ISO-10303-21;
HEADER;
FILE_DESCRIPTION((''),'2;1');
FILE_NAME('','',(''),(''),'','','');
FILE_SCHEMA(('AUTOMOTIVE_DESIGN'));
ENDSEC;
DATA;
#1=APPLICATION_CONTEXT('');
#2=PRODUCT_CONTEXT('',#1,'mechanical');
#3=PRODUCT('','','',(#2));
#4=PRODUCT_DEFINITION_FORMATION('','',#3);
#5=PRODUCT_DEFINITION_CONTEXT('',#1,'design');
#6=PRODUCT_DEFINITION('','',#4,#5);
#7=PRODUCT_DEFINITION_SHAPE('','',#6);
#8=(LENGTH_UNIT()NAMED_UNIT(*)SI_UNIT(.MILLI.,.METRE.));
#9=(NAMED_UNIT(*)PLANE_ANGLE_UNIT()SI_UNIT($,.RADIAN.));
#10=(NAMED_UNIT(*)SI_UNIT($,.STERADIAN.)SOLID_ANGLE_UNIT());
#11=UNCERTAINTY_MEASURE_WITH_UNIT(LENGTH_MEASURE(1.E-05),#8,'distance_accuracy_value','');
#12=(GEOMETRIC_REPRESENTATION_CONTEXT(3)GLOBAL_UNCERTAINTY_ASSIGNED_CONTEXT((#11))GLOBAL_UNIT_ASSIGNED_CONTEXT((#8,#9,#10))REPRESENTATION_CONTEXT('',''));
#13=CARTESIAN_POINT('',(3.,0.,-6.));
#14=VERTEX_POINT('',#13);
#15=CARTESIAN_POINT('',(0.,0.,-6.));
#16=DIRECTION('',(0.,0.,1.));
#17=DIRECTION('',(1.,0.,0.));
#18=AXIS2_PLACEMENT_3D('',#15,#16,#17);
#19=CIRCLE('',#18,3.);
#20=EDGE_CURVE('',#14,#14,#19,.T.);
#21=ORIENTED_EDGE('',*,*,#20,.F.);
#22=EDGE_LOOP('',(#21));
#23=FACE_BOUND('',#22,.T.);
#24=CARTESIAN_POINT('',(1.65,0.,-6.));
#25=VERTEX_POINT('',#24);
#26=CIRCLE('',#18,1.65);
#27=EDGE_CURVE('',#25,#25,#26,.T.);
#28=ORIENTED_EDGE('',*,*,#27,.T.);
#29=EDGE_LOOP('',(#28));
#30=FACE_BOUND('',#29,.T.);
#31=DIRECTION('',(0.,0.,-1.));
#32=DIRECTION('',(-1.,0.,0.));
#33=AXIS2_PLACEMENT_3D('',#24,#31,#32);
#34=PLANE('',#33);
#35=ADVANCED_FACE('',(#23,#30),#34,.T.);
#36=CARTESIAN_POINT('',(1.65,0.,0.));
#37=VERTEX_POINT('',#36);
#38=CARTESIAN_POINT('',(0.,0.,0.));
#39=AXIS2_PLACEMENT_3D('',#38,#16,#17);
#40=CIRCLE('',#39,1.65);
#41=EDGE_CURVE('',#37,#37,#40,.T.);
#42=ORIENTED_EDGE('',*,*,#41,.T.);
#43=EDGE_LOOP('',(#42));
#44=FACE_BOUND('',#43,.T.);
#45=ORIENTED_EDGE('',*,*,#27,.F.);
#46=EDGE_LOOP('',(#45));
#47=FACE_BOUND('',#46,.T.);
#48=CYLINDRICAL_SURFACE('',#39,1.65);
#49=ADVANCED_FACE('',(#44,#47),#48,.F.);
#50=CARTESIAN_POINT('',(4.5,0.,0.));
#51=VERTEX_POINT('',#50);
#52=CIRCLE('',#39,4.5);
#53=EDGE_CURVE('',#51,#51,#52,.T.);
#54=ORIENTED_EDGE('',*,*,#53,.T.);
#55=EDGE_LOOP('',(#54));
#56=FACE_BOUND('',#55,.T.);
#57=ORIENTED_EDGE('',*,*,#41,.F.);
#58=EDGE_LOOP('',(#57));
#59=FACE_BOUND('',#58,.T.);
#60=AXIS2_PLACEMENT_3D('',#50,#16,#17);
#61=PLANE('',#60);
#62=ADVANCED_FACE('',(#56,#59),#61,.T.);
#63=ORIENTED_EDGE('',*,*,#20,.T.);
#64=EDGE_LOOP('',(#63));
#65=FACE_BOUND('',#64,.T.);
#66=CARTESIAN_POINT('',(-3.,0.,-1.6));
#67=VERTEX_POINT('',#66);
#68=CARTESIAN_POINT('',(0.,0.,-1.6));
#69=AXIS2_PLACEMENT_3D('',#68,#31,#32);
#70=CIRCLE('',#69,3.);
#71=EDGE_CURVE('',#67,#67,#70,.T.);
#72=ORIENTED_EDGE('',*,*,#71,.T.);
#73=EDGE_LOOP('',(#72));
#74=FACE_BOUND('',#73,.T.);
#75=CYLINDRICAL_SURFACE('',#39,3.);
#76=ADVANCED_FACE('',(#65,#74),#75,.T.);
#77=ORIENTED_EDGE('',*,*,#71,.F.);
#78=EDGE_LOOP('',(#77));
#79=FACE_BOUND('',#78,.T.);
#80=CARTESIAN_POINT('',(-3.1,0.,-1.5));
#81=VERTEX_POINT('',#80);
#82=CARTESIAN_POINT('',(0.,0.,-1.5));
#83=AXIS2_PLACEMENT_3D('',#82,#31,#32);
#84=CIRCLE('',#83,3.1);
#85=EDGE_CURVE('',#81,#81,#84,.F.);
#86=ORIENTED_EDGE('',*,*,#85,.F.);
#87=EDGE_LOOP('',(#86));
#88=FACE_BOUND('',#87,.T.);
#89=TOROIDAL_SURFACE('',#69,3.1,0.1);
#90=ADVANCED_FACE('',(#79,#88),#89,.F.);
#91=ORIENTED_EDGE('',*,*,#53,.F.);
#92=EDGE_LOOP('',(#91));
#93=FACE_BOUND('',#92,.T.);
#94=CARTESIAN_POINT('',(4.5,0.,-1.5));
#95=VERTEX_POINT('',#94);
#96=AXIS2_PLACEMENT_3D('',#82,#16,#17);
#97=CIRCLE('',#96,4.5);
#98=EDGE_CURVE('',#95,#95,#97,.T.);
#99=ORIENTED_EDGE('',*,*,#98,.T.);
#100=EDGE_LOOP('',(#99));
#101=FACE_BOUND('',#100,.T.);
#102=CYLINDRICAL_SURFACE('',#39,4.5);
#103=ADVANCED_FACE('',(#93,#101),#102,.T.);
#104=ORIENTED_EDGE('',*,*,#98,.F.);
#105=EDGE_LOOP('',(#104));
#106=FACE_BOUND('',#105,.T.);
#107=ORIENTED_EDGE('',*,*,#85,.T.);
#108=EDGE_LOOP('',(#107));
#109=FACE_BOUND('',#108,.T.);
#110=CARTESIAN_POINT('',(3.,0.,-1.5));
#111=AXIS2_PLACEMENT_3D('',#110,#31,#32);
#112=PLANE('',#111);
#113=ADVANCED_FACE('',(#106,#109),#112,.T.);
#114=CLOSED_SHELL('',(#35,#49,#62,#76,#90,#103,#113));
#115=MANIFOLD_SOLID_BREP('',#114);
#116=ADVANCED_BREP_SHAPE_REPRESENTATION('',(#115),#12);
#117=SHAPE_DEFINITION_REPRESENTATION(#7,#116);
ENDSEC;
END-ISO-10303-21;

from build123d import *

# Parameters (mm, degrees)
FILLET1_R = 0.1


with BuildPart() as part:
    # Sketch1 → Revolve1 (revolve)
    with BuildSketch(Plane(origin=(0, 0, 0), x_dir=(1, 0, 0), z_dir=(0, 1, 0))):
        Polygon((1.65, 0), (1.65, 6), (3, 6), (3, 1.5), (4.5, 1.5), (4.5, 0), align=None)
    revolve(axis=Axis((0, 0, 0), (0, 0, -1)))

    # Fillet1
    fillet1_edges = [part.edges().sort_by_distance(p)[0] for p in [
        (-3, 0, -1.5),
    ]]
    fillet(fillet1_edges, radius=FILLET1_R)


solid = part.part
